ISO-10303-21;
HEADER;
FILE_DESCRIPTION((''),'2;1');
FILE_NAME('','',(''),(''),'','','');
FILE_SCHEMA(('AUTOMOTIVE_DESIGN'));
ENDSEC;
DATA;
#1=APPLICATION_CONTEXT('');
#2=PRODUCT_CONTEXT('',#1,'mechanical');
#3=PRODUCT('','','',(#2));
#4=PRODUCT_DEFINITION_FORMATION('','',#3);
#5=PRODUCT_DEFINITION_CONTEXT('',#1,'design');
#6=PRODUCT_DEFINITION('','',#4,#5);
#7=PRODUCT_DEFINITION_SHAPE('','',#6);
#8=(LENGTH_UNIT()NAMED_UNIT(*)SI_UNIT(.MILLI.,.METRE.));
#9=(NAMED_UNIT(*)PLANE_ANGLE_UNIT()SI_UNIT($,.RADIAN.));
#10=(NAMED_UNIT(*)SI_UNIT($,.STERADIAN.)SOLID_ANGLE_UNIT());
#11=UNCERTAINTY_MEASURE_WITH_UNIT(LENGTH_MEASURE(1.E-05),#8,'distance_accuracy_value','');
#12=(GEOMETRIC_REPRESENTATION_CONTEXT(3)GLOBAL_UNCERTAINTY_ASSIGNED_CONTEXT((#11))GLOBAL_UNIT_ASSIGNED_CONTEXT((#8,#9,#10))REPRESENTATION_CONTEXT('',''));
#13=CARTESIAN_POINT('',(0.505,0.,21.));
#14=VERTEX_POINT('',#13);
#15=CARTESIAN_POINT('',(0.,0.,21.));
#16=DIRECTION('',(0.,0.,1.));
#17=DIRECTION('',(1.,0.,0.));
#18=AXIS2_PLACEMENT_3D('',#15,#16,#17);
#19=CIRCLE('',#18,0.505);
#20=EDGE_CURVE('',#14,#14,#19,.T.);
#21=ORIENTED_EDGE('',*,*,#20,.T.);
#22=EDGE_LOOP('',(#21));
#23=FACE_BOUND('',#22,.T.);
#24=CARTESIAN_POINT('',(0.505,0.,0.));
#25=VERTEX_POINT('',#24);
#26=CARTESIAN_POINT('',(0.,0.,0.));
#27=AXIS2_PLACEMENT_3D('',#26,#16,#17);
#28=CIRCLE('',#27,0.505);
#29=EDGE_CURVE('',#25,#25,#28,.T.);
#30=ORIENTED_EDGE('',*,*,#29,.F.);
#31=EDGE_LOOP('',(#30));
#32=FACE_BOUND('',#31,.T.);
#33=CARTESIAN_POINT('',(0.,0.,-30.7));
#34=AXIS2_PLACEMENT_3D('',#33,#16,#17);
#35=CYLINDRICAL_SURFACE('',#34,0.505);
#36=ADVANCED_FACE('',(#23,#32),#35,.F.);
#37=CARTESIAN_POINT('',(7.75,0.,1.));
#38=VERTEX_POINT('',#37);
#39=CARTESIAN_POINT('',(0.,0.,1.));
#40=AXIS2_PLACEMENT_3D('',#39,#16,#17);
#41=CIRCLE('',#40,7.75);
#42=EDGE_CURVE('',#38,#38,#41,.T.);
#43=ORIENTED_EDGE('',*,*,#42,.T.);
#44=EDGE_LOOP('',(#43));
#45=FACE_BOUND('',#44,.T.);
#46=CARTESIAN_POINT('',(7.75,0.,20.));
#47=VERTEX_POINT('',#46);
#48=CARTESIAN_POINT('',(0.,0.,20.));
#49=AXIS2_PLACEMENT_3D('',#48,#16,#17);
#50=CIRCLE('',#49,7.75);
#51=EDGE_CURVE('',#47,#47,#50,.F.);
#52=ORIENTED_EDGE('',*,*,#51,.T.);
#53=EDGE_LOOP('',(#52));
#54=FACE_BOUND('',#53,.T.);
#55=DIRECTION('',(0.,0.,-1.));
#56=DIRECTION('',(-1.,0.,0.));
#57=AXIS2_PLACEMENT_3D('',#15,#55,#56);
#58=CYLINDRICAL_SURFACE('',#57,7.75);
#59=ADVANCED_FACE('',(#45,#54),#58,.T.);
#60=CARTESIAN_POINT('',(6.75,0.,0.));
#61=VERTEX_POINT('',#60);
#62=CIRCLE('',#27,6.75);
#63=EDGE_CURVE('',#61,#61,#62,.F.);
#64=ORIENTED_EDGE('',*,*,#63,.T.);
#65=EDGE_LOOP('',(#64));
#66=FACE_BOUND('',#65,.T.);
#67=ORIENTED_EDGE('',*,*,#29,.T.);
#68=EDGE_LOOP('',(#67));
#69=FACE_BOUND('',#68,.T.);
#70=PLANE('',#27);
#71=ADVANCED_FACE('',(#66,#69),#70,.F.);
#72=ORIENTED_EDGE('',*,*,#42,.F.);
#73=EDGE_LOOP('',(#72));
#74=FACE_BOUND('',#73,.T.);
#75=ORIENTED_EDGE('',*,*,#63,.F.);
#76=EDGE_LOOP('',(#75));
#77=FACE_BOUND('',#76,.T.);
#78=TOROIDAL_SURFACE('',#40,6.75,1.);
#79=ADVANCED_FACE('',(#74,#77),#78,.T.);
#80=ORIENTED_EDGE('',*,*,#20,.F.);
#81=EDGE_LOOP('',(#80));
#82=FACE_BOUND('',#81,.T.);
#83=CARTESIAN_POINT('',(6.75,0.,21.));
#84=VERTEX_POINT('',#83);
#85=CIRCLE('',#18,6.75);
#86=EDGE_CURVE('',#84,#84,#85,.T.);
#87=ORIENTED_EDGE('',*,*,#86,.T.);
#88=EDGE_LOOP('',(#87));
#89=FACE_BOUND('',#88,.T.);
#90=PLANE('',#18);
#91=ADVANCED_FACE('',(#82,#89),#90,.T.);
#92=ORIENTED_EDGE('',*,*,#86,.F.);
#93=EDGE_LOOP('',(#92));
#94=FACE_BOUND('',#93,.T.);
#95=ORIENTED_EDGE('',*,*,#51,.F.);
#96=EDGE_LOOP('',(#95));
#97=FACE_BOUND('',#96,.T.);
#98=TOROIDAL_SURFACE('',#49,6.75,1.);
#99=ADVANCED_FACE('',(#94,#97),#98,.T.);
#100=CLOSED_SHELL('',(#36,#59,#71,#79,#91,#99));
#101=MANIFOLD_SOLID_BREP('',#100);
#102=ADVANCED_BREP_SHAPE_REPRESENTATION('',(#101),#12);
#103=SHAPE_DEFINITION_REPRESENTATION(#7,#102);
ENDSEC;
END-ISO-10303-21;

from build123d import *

# Parameters (mm, degrees)
SKETCH1_R           = 7.75
BOSS_EXTRUDE1_DEPTH = 21
FILLET1_R           = 1
SKETCH2_R           = 0.505
CUT_EXTRUDE1_DEPTH  = 51.7


with BuildPart() as part:
    # Sketch1 → Boss-Extrude1 (new body)
    with BuildSketch(Plane.XY):
        Circle(SKETCH1_R)
    extrude(amount=BOSS_EXTRUDE1_DEPTH)

    # Fillet1
    fillet1_edges = [part.edges().sort_by_distance(p)[0] for p in [
        (-7.75, 0, 0),
        (-7.75, 0, 21),
    ]]
    fillet(fillet1_edges, radius=FILLET1_R)

    # Sketch2 → Cut-Extrude1 (cut)
    with BuildSketch(Plane.XY.offset(21)):
        Circle(SKETCH2_R)
    extrude(amount=-CUT_EXTRUDE1_DEPTH, mode=Mode.SUBTRACT)


solid = part.part
